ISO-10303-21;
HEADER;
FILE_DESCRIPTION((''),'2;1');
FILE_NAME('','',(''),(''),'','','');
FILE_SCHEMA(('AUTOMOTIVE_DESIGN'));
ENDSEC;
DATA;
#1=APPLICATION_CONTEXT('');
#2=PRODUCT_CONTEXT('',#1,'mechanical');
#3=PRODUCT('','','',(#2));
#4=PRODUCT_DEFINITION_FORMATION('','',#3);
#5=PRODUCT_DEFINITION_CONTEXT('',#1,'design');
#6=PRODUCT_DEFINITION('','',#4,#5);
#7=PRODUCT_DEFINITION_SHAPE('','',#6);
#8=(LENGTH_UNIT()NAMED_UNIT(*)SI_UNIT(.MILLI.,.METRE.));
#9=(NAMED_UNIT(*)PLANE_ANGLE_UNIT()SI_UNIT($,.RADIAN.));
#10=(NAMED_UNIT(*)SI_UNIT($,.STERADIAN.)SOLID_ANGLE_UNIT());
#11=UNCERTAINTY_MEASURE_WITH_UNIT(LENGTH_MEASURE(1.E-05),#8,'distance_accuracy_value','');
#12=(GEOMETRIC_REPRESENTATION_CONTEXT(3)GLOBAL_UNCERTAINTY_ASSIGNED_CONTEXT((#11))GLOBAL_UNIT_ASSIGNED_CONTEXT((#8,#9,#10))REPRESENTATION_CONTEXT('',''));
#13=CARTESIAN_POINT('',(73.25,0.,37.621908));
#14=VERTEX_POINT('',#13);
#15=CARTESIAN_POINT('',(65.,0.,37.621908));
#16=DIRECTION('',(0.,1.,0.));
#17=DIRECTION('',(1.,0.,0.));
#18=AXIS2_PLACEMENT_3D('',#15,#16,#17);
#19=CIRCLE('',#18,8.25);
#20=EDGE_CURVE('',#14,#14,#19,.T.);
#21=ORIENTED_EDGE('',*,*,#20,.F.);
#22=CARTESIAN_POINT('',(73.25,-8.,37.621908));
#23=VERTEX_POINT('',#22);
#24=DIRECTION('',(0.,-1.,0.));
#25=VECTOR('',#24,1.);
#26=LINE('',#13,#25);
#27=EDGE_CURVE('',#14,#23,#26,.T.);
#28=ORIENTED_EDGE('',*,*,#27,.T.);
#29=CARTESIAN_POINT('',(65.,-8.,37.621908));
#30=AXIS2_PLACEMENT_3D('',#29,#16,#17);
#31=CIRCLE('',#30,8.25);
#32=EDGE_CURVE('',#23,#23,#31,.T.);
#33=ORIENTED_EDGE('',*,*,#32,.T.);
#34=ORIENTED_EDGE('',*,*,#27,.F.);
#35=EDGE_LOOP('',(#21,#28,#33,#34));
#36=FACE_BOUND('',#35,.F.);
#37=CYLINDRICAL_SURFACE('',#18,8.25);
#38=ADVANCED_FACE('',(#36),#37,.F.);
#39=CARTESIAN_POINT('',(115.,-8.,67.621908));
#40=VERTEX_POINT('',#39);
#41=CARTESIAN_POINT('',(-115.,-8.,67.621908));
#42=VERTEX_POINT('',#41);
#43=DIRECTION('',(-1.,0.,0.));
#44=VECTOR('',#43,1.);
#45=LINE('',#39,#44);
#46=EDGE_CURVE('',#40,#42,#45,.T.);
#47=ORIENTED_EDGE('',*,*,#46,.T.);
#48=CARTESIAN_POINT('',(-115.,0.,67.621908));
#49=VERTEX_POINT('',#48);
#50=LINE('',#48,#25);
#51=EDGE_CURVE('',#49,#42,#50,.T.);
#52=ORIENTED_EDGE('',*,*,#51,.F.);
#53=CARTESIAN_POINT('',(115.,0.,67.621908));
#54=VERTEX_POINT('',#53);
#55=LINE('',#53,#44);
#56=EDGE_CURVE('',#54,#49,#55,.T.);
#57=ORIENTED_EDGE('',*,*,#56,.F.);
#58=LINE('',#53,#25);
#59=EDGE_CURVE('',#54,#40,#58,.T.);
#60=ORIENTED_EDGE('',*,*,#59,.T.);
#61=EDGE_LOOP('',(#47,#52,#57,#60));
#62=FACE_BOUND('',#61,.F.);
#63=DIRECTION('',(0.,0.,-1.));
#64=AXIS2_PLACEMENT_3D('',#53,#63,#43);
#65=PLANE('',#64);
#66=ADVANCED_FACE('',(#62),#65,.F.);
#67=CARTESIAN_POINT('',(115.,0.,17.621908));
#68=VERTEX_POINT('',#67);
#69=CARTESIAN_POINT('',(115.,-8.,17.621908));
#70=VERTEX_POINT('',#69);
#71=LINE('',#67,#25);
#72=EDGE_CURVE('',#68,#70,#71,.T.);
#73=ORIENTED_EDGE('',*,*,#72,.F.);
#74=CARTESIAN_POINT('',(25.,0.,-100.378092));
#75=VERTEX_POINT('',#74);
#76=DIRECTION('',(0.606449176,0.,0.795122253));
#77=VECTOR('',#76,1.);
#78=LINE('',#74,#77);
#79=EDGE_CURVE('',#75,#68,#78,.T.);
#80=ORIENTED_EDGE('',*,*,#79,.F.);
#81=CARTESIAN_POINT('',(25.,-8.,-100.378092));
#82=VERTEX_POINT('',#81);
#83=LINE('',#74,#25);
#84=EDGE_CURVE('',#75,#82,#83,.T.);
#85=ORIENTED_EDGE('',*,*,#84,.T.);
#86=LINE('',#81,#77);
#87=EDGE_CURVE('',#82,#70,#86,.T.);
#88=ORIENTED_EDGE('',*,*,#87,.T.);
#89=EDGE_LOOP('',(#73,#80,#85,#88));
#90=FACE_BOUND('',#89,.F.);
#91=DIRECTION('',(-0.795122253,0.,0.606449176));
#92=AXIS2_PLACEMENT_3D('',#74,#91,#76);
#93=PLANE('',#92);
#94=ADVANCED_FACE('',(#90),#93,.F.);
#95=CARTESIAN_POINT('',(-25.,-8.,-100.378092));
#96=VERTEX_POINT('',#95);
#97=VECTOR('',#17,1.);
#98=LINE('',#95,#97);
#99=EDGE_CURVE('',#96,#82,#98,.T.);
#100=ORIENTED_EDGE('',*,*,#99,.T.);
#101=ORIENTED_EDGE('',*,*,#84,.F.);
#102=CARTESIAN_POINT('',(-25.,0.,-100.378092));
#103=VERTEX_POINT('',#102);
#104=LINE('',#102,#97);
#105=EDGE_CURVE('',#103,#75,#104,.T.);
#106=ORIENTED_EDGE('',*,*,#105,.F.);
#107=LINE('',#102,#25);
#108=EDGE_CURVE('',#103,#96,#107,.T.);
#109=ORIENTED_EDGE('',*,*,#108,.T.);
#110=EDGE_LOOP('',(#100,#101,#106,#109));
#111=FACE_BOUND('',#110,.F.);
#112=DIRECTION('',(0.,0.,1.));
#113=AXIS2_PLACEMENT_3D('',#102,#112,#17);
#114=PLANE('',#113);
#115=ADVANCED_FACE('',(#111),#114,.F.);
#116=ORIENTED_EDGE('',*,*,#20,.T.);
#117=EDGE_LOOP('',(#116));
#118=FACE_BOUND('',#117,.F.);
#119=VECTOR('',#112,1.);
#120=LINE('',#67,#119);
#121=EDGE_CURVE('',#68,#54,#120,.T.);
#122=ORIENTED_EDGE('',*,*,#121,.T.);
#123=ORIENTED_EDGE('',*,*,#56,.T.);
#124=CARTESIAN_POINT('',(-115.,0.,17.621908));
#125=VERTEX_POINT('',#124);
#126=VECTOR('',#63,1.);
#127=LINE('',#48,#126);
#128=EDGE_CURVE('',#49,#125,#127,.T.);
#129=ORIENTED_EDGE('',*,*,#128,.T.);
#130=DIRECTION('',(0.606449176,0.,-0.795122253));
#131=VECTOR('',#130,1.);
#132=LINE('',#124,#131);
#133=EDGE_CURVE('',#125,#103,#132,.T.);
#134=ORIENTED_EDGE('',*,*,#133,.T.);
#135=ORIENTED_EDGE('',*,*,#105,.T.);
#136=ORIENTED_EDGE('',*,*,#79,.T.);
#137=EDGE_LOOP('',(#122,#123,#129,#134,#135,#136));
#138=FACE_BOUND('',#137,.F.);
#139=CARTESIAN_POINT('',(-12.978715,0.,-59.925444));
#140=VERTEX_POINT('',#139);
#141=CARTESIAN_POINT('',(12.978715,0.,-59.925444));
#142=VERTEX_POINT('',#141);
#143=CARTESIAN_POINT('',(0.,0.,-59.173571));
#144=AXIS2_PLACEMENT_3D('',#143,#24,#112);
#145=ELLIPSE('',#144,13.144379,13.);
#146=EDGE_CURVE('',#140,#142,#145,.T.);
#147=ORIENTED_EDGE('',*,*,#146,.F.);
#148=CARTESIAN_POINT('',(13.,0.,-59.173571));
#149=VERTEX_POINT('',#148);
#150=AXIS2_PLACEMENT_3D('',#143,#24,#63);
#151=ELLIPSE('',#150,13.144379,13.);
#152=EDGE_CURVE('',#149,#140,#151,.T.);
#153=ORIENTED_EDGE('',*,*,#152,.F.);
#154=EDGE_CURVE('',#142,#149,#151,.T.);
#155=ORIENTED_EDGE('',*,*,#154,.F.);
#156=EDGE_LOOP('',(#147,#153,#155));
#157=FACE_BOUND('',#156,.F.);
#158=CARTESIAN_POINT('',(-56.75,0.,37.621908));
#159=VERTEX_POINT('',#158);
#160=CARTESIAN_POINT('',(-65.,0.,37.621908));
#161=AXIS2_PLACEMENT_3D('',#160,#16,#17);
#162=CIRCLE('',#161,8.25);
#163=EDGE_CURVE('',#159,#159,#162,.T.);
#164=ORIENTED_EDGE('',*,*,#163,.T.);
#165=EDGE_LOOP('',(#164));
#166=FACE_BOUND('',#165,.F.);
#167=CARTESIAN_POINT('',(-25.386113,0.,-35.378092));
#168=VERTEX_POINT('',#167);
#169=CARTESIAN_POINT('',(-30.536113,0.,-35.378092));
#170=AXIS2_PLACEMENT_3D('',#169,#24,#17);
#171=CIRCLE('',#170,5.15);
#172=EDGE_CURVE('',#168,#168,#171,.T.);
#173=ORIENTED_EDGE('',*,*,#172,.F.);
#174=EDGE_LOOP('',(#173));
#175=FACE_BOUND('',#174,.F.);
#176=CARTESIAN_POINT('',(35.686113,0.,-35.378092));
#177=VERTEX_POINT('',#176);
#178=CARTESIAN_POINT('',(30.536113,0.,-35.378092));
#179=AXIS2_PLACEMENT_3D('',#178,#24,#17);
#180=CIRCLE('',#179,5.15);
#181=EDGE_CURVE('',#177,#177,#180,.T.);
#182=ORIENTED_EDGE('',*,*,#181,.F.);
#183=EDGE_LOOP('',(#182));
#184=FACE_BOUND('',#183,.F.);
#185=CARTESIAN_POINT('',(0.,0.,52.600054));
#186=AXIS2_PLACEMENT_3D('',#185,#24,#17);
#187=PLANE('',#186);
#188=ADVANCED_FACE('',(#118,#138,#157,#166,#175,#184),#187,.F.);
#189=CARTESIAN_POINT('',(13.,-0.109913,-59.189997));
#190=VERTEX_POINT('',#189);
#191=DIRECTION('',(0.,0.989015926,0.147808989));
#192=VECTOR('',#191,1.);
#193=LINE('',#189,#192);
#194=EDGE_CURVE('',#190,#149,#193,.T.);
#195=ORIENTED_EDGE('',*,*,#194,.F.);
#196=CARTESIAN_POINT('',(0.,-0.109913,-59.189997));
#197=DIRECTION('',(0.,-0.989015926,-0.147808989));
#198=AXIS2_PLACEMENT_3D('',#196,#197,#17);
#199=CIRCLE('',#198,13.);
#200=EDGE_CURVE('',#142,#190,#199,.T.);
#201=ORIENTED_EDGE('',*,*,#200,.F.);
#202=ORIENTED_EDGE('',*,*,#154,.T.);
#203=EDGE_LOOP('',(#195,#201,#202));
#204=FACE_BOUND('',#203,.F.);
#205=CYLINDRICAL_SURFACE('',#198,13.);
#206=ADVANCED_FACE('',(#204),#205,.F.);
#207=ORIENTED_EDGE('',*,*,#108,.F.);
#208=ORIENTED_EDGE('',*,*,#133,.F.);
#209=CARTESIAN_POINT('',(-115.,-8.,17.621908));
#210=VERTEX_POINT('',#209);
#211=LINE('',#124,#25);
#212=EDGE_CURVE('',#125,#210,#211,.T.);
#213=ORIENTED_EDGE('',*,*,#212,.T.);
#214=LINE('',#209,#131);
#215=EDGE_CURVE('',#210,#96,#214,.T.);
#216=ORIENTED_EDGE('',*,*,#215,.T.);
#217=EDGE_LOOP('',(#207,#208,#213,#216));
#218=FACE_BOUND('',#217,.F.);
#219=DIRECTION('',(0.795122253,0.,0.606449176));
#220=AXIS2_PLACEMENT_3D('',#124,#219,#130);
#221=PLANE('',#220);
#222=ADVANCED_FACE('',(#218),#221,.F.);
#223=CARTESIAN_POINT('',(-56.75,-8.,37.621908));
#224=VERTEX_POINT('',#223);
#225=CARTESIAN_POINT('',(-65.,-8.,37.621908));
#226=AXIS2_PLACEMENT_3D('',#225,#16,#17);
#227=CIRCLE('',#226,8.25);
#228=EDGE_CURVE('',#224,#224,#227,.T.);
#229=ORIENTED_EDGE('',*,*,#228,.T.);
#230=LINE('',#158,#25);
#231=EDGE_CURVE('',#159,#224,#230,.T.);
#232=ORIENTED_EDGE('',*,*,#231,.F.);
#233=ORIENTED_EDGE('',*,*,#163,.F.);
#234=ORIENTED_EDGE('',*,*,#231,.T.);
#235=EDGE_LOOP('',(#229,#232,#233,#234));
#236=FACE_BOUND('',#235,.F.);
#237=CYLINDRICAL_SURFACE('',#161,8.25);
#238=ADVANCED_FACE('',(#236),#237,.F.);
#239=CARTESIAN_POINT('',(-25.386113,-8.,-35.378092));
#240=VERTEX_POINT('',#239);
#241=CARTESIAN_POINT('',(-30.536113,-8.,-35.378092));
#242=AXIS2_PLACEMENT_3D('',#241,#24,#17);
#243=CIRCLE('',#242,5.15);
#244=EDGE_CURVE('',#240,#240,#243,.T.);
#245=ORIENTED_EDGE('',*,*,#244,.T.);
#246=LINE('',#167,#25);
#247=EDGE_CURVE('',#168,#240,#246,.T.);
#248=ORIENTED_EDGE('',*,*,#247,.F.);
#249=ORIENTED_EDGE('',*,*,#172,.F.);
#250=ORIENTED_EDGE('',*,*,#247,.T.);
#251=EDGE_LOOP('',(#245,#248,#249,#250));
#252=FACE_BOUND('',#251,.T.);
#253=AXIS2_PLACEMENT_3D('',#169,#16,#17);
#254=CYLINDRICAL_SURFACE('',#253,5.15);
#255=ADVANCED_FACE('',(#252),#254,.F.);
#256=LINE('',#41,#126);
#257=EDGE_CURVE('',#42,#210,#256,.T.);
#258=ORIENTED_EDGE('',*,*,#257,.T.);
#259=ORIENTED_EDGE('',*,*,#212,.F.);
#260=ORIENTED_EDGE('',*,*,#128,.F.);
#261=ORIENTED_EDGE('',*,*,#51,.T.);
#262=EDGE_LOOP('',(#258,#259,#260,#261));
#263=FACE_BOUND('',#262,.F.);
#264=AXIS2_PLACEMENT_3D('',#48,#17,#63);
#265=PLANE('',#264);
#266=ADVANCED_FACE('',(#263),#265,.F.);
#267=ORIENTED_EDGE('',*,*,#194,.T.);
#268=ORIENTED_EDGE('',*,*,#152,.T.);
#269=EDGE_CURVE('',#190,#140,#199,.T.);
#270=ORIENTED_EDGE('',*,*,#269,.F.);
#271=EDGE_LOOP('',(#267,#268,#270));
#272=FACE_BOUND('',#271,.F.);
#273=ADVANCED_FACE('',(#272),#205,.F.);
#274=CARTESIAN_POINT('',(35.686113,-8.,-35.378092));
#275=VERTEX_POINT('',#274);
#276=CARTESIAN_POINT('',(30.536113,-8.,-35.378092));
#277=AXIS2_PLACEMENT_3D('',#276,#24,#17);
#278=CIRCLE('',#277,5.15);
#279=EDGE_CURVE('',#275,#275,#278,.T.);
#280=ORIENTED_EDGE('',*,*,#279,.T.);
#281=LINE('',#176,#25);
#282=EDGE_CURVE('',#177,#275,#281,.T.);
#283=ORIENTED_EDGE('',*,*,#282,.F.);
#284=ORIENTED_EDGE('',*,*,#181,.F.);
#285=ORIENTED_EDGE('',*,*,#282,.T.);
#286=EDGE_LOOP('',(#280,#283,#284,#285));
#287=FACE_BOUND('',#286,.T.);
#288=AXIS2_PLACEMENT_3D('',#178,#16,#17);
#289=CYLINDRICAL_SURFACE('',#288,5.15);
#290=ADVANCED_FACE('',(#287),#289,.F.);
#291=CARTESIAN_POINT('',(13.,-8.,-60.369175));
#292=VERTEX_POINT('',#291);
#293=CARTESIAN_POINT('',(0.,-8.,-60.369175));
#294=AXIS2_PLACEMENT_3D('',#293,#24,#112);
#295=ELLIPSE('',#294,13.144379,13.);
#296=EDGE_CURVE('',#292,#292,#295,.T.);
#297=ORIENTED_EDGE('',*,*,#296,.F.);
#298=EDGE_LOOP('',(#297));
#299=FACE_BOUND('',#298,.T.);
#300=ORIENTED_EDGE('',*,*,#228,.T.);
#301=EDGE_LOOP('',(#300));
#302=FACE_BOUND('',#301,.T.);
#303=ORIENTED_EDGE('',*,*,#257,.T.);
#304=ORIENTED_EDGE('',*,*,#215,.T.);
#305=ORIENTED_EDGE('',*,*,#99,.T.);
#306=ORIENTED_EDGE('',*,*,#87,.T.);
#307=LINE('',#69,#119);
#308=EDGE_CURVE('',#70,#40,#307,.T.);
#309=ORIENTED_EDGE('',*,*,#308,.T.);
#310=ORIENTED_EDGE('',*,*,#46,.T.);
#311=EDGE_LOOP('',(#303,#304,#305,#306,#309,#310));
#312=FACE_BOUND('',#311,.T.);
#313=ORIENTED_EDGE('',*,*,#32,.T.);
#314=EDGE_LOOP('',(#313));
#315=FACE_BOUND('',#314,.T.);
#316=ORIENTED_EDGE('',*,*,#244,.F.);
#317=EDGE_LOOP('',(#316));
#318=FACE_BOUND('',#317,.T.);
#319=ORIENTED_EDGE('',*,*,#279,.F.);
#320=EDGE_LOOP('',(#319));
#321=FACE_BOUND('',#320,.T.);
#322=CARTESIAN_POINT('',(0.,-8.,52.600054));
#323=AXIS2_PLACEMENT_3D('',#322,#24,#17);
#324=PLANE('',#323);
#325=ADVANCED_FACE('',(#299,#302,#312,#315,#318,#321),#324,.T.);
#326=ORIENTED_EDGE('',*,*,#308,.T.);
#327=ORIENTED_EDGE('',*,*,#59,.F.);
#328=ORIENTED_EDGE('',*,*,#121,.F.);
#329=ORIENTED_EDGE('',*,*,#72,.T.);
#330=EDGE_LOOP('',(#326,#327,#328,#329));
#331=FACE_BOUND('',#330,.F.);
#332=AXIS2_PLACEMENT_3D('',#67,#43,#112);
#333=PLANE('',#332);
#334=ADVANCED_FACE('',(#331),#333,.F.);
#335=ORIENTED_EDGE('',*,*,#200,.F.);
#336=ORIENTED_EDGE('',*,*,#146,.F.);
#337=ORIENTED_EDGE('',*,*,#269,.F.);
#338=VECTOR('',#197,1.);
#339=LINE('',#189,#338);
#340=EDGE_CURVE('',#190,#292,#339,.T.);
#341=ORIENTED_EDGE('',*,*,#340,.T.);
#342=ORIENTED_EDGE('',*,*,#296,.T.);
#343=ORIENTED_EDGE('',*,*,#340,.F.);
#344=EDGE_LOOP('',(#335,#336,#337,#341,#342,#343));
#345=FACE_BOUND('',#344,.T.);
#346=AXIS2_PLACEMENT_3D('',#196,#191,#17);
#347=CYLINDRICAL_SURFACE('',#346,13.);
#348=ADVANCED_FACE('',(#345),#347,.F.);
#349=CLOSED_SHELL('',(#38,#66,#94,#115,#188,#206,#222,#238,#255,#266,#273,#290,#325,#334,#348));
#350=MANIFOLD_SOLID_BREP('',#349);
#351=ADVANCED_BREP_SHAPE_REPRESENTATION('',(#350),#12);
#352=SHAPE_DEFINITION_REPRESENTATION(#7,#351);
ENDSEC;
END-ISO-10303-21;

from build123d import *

# Parameters (mm, degrees)
F0_R     = 5.15
F0_R_2   = 13
F1_DEPTH = 8
F3_R     = 13
F4_DEPTH = 230
F5_DEPTH = 25


with BuildPart() as f1:
    # F0 (on Front) → F1 (new body)
    with BuildSketch(Plane.XZ):
        with BuildLine():
            Line((115, 67.621908), (0, 67.621908))
            Line((0, 67.621908), (-115, 67.621908))
            Line((-115, 67.621908), (-115, 37.621908))
            Line((-115, 37.621908), (-73.25, 37.621908))
            ThreePointArc((-73.25, 37.621908), (-65, 45.871908), (-56.75, 37.621908))
            Line((-56.75, 37.621908), (56.75, 37.621908))
            ThreePointArc((56.75, 37.621908), (65, 45.871908), (73.25, 37.621908))
            Line((73.25, 37.621908), (115, 37.621908))
            Line((115, 37.621908), (115, 67.621908))
        make_face()
        with BuildLine():
            Line((-73.25, 37.621908), (-115, 37.621908))
            Line((-115, 37.621908), (-115, 17.621908))
            Line((-115, 17.621908), (-25, -100.378092))
            Line((-25, -100.378092), (0, -100.378092))
            Line((0, -100.378092), (25, -100.378092))
            Line((25, -100.378092), (115, 17.621908))
            Line((115, 17.621908), (115, 37.621908))
            Line((115, 37.621908), (73.25, 37.621908))
            ThreePointArc((73.25, 37.621908), (65, 29.371908), (56.75, 37.621908))
            Line((56.75, 37.621908), (-56.75, 37.621908))
            ThreePointArc((-56.75, 37.621908), (-65, 29.371908), (-73.25, 37.621908))
        make_face()
        with Locations((-30.536113, -35.378092)):
            Circle(F0_R, mode=Mode.SUBTRACT)
        with Locations((0, -59.925269)):
            Circle(F0_R_2, mode=Mode.SUBTRACT)
        with Locations((30.536113, -35.378092)):
            Circle(F0_R, mode=Mode.SUBTRACT)
        with Locations((0, -59.925269)):
            Circle(F0_R_2)
    extrude(amount=F1_DEPTH)

    # F3 (on face) → F4 (cut)
    with BuildSketch(Plane(origin=(0, -8.760227, -1.309225), x_dir=(1, 0, 0), z_dir=(0, -0.989016, -0.147809))):
        with Locations((0, -58.5236)):
            Circle(F3_R)
    extrude(amount=F4_DEPTH, mode=Mode.SUBTRACT)

    # F3 (on face) → F5 (cut)
    with BuildSketch(Plane(origin=(0, -8.760227, -1.309225), x_dir=(1, 0, 0), z_dir=(0, -0.989016, -0.147809))):
        with Locations((0, -58.5236)):
            Circle(F3_R)
    extrude(amount=-F5_DEPTH, mode=Mode.SUBTRACT)


solid = f1.part
